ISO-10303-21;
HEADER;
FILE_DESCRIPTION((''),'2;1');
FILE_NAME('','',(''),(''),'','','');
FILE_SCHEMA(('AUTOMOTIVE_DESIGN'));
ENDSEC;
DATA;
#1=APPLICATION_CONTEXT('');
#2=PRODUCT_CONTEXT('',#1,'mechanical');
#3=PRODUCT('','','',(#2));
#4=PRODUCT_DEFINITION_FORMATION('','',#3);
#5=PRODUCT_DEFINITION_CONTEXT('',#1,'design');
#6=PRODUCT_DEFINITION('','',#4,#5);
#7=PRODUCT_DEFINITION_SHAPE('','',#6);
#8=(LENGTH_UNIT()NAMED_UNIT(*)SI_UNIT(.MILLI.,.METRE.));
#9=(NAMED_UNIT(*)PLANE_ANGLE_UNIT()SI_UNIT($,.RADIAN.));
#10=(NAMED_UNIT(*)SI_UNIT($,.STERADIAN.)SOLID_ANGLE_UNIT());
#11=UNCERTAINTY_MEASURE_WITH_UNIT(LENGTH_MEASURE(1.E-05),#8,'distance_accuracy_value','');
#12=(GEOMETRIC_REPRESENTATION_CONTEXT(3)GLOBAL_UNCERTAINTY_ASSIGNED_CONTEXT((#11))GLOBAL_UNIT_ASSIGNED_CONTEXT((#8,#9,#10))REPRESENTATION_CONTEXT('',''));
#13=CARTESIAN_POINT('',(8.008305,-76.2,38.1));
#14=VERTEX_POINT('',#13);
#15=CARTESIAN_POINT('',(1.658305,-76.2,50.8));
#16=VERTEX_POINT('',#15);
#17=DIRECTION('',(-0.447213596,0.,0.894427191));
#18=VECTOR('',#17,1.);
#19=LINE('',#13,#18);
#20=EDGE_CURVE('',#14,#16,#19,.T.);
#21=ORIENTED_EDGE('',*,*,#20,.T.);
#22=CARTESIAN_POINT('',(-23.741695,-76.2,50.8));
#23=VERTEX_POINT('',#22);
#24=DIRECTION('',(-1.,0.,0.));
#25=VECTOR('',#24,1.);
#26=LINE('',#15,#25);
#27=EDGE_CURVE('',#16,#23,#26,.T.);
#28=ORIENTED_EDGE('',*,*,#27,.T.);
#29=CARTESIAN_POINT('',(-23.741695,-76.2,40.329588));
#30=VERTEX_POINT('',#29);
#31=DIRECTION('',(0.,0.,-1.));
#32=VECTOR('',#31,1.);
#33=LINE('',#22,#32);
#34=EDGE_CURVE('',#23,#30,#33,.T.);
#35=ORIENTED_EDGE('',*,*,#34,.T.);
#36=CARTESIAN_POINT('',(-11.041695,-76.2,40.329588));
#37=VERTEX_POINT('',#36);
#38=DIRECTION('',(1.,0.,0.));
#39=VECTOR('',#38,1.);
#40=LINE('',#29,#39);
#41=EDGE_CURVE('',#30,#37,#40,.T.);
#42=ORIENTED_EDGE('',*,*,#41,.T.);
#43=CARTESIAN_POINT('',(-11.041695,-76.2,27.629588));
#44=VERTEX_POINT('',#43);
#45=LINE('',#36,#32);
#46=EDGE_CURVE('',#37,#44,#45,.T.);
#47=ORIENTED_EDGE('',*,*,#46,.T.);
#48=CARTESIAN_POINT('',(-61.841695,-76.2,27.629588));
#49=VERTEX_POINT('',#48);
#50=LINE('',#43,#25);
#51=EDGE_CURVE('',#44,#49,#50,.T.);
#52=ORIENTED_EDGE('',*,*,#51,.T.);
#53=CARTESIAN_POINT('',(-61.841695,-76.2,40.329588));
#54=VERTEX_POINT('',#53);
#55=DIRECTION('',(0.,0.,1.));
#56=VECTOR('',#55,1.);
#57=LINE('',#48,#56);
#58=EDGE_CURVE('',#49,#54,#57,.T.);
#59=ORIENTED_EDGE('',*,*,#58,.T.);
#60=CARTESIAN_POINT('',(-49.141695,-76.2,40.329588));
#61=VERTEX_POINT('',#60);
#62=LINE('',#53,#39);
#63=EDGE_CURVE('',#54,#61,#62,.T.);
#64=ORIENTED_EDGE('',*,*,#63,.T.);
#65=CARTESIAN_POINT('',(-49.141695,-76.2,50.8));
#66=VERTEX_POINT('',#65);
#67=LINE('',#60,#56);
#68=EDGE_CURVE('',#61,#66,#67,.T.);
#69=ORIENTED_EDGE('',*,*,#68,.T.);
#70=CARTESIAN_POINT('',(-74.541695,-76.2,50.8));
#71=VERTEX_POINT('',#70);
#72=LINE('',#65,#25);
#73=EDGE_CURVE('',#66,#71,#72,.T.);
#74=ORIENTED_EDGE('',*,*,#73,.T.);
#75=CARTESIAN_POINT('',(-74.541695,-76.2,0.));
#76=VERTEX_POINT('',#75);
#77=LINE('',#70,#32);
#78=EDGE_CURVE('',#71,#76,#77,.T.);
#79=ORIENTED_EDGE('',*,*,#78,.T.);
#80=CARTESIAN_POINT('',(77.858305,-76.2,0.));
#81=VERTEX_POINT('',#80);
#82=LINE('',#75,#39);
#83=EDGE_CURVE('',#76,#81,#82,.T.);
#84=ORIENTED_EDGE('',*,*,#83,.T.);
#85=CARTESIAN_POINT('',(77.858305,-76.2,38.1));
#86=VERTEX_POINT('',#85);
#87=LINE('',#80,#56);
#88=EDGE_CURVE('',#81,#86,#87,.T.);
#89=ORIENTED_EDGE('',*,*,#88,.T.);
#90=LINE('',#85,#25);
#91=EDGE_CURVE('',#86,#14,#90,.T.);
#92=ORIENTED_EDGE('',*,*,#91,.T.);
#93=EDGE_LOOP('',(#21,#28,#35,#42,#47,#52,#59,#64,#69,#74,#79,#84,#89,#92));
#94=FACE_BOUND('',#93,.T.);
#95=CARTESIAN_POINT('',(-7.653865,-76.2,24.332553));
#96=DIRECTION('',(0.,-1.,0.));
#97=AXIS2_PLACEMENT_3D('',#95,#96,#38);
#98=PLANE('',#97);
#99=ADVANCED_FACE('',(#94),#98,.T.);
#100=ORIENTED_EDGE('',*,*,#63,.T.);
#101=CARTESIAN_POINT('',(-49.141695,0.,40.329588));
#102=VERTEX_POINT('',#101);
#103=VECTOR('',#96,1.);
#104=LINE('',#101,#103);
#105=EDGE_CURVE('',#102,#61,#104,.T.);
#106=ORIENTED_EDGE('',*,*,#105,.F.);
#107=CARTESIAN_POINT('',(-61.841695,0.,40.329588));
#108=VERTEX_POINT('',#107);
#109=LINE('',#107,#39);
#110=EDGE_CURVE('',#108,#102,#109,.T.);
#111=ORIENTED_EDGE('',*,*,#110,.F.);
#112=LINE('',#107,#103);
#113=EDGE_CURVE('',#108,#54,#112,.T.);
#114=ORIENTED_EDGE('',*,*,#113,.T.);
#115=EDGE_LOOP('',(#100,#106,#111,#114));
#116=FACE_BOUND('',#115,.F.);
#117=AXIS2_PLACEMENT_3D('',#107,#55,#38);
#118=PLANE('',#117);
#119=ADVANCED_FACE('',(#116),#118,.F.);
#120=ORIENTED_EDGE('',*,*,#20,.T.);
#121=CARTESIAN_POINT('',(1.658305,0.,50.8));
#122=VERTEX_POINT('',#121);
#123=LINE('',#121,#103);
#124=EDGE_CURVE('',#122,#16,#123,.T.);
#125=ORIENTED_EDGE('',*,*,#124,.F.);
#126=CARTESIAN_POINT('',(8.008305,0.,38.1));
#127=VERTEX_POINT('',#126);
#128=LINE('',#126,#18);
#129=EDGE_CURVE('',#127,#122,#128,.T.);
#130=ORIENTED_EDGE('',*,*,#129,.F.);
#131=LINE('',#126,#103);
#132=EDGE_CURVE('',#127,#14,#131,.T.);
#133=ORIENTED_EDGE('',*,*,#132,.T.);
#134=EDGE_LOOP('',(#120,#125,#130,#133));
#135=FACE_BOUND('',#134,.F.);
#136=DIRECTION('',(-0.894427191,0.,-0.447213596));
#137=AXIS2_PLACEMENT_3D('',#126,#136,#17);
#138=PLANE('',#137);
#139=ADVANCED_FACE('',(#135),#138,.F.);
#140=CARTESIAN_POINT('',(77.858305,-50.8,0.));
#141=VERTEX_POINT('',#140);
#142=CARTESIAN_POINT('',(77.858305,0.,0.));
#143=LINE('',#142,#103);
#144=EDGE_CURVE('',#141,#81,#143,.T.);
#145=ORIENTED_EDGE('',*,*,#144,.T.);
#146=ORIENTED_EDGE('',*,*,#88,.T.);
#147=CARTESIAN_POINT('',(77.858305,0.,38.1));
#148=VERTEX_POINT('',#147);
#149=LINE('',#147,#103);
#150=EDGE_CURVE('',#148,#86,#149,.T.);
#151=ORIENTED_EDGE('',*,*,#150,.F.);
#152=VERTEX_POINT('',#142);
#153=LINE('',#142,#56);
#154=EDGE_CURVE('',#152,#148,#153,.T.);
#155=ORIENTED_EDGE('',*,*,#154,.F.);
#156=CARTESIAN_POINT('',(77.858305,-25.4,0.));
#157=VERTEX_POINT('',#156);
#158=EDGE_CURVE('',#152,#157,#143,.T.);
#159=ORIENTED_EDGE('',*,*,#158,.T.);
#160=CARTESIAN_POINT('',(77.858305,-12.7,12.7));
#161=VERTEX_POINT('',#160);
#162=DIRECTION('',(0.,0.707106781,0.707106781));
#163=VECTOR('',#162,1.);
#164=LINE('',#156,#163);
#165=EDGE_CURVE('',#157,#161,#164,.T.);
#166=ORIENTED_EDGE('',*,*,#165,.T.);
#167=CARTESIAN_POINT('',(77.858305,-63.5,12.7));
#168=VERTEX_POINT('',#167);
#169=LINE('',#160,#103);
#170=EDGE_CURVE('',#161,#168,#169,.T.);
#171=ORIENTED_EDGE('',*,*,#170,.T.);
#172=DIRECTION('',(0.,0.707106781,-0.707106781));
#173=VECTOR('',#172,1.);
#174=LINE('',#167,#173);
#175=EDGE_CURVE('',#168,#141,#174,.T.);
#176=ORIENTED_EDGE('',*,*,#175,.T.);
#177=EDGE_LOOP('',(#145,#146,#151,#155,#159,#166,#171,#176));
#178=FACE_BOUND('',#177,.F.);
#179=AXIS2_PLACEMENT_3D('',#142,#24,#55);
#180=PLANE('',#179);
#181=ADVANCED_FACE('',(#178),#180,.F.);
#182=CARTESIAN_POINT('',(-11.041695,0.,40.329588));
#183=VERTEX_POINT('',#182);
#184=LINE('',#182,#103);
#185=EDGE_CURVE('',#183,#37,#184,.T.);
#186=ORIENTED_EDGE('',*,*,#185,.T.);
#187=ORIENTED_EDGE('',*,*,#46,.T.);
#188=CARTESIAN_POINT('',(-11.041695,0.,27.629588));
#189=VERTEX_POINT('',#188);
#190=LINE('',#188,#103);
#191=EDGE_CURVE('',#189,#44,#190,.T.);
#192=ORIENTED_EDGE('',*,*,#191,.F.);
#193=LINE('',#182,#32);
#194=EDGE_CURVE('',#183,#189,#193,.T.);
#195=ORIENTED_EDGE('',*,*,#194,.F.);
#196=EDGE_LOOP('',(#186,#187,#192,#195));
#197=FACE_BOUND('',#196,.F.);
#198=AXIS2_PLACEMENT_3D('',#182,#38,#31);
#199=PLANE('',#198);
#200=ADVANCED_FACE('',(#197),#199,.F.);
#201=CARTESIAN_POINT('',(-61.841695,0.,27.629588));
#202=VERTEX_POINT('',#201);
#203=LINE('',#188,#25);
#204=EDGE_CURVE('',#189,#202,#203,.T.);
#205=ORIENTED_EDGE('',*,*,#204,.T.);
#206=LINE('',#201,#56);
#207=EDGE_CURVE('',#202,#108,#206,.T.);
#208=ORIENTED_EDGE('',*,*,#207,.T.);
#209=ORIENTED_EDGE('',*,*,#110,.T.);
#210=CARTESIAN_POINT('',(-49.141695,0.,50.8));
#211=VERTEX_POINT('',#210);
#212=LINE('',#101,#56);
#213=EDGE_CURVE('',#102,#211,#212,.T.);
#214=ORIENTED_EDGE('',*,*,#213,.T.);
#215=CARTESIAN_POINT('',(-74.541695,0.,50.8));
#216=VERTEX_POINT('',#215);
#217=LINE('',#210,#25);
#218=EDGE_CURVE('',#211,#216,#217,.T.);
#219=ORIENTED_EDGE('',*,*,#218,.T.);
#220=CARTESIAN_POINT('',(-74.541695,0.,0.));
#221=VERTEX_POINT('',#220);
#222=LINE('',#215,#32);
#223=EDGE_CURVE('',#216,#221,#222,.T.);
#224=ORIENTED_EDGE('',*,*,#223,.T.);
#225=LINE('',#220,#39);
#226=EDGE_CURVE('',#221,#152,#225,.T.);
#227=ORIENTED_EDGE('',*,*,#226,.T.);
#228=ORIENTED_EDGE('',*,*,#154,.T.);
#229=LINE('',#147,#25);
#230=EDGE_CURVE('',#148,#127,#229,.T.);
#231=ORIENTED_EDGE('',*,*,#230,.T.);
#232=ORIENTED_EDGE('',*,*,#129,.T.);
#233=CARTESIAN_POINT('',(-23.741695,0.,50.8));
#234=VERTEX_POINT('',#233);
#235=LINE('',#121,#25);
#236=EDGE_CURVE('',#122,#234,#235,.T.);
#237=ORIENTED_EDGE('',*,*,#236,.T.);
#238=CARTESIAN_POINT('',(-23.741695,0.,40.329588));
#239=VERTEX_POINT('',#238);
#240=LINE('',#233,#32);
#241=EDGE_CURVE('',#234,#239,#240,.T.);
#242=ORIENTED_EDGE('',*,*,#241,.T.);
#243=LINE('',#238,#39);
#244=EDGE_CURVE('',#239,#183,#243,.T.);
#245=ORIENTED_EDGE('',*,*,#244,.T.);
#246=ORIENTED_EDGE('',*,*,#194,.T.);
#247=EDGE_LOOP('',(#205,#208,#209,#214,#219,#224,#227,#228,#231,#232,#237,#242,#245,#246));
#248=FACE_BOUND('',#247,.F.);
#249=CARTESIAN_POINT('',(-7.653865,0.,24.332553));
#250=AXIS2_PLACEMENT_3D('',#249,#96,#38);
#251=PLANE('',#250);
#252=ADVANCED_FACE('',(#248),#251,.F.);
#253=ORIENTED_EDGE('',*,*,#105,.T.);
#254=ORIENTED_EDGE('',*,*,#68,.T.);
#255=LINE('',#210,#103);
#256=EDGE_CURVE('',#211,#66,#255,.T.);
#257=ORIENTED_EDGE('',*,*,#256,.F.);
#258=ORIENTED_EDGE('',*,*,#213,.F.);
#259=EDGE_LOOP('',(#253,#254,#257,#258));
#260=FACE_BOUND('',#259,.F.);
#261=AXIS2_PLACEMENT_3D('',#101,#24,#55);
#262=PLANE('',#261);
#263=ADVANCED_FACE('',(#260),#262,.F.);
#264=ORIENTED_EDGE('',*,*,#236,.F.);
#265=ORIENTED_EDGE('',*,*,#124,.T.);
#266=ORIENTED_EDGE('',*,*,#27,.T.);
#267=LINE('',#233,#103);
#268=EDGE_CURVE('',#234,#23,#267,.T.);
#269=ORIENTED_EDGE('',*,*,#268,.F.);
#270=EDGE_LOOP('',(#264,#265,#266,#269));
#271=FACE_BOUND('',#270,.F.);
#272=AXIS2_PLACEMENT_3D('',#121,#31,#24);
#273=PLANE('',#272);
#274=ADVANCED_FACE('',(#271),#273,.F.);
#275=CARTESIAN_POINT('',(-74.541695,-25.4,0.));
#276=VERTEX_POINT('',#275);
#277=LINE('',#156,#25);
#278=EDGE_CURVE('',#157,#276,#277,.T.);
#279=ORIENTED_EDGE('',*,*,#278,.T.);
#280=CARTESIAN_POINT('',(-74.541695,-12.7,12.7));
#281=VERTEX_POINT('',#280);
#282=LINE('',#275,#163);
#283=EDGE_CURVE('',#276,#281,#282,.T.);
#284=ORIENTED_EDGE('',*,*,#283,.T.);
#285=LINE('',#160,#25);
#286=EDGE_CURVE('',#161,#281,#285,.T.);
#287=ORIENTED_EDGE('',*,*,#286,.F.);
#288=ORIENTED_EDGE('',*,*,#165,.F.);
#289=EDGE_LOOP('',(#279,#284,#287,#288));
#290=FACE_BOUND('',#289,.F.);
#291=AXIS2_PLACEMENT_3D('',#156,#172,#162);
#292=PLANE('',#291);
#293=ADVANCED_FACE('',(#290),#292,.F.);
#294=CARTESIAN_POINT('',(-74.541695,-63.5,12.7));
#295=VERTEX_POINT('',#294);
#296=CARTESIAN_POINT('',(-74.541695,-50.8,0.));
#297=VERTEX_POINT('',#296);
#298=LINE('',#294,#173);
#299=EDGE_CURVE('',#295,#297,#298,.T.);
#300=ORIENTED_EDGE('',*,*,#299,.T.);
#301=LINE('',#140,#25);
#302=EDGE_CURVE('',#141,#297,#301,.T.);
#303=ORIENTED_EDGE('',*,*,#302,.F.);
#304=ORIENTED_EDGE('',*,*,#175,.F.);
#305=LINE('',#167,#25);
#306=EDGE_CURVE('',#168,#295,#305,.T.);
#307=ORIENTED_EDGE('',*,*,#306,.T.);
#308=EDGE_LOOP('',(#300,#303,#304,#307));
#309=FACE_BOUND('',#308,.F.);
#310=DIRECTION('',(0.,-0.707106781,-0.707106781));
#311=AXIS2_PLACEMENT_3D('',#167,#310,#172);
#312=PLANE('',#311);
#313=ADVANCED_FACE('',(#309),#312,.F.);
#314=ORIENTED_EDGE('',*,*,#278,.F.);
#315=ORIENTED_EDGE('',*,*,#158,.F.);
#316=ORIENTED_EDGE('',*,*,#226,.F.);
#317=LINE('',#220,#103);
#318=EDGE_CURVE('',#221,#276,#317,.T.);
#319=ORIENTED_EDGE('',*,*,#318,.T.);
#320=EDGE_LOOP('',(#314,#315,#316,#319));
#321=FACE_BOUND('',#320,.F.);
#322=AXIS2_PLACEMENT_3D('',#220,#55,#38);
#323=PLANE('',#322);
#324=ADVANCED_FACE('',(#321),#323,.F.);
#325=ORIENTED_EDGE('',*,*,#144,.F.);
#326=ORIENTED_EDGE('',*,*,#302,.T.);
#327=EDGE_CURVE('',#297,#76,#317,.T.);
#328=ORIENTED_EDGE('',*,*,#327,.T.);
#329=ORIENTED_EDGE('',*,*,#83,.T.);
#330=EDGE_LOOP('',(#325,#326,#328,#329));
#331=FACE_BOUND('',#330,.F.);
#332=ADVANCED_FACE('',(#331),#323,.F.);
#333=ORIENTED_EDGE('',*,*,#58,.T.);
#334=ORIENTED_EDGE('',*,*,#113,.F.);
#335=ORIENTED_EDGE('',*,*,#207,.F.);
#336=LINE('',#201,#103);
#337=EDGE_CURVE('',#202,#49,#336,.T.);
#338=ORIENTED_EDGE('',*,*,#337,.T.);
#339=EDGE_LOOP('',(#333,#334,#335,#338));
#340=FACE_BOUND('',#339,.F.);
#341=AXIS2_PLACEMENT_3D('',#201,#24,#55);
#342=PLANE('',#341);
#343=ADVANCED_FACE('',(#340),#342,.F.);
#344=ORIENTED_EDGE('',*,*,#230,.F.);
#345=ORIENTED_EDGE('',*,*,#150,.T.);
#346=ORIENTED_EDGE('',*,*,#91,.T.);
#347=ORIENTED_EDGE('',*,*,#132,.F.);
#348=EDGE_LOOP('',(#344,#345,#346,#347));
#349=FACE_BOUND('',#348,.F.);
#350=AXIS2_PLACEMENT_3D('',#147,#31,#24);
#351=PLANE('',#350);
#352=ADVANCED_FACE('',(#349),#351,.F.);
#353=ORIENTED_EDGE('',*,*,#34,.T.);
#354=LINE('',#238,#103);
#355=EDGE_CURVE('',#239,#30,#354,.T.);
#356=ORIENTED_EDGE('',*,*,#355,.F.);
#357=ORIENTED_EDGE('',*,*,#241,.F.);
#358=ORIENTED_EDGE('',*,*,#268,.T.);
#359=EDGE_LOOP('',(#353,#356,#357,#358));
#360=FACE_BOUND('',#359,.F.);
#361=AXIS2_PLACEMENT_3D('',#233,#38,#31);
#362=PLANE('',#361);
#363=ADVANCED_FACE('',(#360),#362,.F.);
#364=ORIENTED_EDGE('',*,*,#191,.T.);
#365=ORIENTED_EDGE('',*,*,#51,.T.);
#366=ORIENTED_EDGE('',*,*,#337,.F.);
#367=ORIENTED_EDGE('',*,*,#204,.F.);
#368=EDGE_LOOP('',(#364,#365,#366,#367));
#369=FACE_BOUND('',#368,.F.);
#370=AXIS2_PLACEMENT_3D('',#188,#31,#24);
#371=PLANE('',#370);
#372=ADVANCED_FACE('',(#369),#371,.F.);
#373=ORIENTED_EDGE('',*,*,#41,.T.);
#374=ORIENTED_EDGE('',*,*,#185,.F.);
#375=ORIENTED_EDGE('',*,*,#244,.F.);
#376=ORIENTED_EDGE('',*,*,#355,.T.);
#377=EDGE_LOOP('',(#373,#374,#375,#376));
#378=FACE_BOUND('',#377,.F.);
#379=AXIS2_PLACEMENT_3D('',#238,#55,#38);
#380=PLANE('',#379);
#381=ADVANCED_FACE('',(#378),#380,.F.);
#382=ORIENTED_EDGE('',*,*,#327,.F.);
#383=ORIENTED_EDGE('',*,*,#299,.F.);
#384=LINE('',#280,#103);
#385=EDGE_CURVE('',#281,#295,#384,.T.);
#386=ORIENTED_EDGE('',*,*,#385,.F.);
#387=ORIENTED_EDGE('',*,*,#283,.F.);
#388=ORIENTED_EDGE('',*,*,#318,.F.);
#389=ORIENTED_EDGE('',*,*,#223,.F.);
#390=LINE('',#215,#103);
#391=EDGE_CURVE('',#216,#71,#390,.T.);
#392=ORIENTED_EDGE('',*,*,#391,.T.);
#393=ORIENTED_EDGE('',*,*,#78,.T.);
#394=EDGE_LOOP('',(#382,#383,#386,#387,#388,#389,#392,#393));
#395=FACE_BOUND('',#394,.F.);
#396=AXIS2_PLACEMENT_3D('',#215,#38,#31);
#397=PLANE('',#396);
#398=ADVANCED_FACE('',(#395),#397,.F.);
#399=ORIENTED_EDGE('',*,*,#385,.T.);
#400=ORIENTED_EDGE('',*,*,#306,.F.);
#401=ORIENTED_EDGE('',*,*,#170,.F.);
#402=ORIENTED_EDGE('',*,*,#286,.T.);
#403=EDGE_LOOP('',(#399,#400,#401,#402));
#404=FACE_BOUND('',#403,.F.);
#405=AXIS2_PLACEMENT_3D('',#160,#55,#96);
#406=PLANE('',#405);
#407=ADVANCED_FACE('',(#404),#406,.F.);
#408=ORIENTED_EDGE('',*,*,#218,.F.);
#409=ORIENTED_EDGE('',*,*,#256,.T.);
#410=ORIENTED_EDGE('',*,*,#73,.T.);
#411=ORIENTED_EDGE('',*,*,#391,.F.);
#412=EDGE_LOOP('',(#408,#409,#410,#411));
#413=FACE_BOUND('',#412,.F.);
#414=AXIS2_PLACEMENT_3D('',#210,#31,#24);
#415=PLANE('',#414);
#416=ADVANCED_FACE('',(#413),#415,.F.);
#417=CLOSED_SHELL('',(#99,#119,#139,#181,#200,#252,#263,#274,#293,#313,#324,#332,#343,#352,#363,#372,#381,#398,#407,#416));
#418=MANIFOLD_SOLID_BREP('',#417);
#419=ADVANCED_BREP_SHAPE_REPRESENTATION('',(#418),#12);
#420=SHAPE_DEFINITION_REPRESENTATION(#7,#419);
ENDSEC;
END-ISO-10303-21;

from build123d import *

# Parameters (mm, degrees)
F1_DEPTH = 76.2
F3_DEPTH = 152.4


with BuildPart() as f1:
    # F0 (on Front) → F1 (new body)
    with BuildSketch(Plane.XZ):
        Polygon((-74.541695, 50.8), (-74.541695, 0), (77.858305, 0), (77.858305, 38.1), (8.008305, 38.1), (1.658305, 50.8), (-23.741695, 50.8), (-23.741695, 40.329588), (-11.041695, 40.329588), (-11.041695, 27.629588), (-61.841695, 27.629588), (-61.841695, 40.329588), (-49.141695, 40.329588), (-49.141695, 50.8), align=None)
    extrude(amount=F1_DEPTH)

    # F2 (on face) → F3 (cut)
    with BuildSketch(Plane.YZ.offset(77.858305)):
        Polygon((-50.8, 0), (-25.4, 0), (-12.7, 12.7), (-63.5, 12.7), align=None)
    extrude(amount=-F3_DEPTH, mode=Mode.SUBTRACT)


solid = f1.part
